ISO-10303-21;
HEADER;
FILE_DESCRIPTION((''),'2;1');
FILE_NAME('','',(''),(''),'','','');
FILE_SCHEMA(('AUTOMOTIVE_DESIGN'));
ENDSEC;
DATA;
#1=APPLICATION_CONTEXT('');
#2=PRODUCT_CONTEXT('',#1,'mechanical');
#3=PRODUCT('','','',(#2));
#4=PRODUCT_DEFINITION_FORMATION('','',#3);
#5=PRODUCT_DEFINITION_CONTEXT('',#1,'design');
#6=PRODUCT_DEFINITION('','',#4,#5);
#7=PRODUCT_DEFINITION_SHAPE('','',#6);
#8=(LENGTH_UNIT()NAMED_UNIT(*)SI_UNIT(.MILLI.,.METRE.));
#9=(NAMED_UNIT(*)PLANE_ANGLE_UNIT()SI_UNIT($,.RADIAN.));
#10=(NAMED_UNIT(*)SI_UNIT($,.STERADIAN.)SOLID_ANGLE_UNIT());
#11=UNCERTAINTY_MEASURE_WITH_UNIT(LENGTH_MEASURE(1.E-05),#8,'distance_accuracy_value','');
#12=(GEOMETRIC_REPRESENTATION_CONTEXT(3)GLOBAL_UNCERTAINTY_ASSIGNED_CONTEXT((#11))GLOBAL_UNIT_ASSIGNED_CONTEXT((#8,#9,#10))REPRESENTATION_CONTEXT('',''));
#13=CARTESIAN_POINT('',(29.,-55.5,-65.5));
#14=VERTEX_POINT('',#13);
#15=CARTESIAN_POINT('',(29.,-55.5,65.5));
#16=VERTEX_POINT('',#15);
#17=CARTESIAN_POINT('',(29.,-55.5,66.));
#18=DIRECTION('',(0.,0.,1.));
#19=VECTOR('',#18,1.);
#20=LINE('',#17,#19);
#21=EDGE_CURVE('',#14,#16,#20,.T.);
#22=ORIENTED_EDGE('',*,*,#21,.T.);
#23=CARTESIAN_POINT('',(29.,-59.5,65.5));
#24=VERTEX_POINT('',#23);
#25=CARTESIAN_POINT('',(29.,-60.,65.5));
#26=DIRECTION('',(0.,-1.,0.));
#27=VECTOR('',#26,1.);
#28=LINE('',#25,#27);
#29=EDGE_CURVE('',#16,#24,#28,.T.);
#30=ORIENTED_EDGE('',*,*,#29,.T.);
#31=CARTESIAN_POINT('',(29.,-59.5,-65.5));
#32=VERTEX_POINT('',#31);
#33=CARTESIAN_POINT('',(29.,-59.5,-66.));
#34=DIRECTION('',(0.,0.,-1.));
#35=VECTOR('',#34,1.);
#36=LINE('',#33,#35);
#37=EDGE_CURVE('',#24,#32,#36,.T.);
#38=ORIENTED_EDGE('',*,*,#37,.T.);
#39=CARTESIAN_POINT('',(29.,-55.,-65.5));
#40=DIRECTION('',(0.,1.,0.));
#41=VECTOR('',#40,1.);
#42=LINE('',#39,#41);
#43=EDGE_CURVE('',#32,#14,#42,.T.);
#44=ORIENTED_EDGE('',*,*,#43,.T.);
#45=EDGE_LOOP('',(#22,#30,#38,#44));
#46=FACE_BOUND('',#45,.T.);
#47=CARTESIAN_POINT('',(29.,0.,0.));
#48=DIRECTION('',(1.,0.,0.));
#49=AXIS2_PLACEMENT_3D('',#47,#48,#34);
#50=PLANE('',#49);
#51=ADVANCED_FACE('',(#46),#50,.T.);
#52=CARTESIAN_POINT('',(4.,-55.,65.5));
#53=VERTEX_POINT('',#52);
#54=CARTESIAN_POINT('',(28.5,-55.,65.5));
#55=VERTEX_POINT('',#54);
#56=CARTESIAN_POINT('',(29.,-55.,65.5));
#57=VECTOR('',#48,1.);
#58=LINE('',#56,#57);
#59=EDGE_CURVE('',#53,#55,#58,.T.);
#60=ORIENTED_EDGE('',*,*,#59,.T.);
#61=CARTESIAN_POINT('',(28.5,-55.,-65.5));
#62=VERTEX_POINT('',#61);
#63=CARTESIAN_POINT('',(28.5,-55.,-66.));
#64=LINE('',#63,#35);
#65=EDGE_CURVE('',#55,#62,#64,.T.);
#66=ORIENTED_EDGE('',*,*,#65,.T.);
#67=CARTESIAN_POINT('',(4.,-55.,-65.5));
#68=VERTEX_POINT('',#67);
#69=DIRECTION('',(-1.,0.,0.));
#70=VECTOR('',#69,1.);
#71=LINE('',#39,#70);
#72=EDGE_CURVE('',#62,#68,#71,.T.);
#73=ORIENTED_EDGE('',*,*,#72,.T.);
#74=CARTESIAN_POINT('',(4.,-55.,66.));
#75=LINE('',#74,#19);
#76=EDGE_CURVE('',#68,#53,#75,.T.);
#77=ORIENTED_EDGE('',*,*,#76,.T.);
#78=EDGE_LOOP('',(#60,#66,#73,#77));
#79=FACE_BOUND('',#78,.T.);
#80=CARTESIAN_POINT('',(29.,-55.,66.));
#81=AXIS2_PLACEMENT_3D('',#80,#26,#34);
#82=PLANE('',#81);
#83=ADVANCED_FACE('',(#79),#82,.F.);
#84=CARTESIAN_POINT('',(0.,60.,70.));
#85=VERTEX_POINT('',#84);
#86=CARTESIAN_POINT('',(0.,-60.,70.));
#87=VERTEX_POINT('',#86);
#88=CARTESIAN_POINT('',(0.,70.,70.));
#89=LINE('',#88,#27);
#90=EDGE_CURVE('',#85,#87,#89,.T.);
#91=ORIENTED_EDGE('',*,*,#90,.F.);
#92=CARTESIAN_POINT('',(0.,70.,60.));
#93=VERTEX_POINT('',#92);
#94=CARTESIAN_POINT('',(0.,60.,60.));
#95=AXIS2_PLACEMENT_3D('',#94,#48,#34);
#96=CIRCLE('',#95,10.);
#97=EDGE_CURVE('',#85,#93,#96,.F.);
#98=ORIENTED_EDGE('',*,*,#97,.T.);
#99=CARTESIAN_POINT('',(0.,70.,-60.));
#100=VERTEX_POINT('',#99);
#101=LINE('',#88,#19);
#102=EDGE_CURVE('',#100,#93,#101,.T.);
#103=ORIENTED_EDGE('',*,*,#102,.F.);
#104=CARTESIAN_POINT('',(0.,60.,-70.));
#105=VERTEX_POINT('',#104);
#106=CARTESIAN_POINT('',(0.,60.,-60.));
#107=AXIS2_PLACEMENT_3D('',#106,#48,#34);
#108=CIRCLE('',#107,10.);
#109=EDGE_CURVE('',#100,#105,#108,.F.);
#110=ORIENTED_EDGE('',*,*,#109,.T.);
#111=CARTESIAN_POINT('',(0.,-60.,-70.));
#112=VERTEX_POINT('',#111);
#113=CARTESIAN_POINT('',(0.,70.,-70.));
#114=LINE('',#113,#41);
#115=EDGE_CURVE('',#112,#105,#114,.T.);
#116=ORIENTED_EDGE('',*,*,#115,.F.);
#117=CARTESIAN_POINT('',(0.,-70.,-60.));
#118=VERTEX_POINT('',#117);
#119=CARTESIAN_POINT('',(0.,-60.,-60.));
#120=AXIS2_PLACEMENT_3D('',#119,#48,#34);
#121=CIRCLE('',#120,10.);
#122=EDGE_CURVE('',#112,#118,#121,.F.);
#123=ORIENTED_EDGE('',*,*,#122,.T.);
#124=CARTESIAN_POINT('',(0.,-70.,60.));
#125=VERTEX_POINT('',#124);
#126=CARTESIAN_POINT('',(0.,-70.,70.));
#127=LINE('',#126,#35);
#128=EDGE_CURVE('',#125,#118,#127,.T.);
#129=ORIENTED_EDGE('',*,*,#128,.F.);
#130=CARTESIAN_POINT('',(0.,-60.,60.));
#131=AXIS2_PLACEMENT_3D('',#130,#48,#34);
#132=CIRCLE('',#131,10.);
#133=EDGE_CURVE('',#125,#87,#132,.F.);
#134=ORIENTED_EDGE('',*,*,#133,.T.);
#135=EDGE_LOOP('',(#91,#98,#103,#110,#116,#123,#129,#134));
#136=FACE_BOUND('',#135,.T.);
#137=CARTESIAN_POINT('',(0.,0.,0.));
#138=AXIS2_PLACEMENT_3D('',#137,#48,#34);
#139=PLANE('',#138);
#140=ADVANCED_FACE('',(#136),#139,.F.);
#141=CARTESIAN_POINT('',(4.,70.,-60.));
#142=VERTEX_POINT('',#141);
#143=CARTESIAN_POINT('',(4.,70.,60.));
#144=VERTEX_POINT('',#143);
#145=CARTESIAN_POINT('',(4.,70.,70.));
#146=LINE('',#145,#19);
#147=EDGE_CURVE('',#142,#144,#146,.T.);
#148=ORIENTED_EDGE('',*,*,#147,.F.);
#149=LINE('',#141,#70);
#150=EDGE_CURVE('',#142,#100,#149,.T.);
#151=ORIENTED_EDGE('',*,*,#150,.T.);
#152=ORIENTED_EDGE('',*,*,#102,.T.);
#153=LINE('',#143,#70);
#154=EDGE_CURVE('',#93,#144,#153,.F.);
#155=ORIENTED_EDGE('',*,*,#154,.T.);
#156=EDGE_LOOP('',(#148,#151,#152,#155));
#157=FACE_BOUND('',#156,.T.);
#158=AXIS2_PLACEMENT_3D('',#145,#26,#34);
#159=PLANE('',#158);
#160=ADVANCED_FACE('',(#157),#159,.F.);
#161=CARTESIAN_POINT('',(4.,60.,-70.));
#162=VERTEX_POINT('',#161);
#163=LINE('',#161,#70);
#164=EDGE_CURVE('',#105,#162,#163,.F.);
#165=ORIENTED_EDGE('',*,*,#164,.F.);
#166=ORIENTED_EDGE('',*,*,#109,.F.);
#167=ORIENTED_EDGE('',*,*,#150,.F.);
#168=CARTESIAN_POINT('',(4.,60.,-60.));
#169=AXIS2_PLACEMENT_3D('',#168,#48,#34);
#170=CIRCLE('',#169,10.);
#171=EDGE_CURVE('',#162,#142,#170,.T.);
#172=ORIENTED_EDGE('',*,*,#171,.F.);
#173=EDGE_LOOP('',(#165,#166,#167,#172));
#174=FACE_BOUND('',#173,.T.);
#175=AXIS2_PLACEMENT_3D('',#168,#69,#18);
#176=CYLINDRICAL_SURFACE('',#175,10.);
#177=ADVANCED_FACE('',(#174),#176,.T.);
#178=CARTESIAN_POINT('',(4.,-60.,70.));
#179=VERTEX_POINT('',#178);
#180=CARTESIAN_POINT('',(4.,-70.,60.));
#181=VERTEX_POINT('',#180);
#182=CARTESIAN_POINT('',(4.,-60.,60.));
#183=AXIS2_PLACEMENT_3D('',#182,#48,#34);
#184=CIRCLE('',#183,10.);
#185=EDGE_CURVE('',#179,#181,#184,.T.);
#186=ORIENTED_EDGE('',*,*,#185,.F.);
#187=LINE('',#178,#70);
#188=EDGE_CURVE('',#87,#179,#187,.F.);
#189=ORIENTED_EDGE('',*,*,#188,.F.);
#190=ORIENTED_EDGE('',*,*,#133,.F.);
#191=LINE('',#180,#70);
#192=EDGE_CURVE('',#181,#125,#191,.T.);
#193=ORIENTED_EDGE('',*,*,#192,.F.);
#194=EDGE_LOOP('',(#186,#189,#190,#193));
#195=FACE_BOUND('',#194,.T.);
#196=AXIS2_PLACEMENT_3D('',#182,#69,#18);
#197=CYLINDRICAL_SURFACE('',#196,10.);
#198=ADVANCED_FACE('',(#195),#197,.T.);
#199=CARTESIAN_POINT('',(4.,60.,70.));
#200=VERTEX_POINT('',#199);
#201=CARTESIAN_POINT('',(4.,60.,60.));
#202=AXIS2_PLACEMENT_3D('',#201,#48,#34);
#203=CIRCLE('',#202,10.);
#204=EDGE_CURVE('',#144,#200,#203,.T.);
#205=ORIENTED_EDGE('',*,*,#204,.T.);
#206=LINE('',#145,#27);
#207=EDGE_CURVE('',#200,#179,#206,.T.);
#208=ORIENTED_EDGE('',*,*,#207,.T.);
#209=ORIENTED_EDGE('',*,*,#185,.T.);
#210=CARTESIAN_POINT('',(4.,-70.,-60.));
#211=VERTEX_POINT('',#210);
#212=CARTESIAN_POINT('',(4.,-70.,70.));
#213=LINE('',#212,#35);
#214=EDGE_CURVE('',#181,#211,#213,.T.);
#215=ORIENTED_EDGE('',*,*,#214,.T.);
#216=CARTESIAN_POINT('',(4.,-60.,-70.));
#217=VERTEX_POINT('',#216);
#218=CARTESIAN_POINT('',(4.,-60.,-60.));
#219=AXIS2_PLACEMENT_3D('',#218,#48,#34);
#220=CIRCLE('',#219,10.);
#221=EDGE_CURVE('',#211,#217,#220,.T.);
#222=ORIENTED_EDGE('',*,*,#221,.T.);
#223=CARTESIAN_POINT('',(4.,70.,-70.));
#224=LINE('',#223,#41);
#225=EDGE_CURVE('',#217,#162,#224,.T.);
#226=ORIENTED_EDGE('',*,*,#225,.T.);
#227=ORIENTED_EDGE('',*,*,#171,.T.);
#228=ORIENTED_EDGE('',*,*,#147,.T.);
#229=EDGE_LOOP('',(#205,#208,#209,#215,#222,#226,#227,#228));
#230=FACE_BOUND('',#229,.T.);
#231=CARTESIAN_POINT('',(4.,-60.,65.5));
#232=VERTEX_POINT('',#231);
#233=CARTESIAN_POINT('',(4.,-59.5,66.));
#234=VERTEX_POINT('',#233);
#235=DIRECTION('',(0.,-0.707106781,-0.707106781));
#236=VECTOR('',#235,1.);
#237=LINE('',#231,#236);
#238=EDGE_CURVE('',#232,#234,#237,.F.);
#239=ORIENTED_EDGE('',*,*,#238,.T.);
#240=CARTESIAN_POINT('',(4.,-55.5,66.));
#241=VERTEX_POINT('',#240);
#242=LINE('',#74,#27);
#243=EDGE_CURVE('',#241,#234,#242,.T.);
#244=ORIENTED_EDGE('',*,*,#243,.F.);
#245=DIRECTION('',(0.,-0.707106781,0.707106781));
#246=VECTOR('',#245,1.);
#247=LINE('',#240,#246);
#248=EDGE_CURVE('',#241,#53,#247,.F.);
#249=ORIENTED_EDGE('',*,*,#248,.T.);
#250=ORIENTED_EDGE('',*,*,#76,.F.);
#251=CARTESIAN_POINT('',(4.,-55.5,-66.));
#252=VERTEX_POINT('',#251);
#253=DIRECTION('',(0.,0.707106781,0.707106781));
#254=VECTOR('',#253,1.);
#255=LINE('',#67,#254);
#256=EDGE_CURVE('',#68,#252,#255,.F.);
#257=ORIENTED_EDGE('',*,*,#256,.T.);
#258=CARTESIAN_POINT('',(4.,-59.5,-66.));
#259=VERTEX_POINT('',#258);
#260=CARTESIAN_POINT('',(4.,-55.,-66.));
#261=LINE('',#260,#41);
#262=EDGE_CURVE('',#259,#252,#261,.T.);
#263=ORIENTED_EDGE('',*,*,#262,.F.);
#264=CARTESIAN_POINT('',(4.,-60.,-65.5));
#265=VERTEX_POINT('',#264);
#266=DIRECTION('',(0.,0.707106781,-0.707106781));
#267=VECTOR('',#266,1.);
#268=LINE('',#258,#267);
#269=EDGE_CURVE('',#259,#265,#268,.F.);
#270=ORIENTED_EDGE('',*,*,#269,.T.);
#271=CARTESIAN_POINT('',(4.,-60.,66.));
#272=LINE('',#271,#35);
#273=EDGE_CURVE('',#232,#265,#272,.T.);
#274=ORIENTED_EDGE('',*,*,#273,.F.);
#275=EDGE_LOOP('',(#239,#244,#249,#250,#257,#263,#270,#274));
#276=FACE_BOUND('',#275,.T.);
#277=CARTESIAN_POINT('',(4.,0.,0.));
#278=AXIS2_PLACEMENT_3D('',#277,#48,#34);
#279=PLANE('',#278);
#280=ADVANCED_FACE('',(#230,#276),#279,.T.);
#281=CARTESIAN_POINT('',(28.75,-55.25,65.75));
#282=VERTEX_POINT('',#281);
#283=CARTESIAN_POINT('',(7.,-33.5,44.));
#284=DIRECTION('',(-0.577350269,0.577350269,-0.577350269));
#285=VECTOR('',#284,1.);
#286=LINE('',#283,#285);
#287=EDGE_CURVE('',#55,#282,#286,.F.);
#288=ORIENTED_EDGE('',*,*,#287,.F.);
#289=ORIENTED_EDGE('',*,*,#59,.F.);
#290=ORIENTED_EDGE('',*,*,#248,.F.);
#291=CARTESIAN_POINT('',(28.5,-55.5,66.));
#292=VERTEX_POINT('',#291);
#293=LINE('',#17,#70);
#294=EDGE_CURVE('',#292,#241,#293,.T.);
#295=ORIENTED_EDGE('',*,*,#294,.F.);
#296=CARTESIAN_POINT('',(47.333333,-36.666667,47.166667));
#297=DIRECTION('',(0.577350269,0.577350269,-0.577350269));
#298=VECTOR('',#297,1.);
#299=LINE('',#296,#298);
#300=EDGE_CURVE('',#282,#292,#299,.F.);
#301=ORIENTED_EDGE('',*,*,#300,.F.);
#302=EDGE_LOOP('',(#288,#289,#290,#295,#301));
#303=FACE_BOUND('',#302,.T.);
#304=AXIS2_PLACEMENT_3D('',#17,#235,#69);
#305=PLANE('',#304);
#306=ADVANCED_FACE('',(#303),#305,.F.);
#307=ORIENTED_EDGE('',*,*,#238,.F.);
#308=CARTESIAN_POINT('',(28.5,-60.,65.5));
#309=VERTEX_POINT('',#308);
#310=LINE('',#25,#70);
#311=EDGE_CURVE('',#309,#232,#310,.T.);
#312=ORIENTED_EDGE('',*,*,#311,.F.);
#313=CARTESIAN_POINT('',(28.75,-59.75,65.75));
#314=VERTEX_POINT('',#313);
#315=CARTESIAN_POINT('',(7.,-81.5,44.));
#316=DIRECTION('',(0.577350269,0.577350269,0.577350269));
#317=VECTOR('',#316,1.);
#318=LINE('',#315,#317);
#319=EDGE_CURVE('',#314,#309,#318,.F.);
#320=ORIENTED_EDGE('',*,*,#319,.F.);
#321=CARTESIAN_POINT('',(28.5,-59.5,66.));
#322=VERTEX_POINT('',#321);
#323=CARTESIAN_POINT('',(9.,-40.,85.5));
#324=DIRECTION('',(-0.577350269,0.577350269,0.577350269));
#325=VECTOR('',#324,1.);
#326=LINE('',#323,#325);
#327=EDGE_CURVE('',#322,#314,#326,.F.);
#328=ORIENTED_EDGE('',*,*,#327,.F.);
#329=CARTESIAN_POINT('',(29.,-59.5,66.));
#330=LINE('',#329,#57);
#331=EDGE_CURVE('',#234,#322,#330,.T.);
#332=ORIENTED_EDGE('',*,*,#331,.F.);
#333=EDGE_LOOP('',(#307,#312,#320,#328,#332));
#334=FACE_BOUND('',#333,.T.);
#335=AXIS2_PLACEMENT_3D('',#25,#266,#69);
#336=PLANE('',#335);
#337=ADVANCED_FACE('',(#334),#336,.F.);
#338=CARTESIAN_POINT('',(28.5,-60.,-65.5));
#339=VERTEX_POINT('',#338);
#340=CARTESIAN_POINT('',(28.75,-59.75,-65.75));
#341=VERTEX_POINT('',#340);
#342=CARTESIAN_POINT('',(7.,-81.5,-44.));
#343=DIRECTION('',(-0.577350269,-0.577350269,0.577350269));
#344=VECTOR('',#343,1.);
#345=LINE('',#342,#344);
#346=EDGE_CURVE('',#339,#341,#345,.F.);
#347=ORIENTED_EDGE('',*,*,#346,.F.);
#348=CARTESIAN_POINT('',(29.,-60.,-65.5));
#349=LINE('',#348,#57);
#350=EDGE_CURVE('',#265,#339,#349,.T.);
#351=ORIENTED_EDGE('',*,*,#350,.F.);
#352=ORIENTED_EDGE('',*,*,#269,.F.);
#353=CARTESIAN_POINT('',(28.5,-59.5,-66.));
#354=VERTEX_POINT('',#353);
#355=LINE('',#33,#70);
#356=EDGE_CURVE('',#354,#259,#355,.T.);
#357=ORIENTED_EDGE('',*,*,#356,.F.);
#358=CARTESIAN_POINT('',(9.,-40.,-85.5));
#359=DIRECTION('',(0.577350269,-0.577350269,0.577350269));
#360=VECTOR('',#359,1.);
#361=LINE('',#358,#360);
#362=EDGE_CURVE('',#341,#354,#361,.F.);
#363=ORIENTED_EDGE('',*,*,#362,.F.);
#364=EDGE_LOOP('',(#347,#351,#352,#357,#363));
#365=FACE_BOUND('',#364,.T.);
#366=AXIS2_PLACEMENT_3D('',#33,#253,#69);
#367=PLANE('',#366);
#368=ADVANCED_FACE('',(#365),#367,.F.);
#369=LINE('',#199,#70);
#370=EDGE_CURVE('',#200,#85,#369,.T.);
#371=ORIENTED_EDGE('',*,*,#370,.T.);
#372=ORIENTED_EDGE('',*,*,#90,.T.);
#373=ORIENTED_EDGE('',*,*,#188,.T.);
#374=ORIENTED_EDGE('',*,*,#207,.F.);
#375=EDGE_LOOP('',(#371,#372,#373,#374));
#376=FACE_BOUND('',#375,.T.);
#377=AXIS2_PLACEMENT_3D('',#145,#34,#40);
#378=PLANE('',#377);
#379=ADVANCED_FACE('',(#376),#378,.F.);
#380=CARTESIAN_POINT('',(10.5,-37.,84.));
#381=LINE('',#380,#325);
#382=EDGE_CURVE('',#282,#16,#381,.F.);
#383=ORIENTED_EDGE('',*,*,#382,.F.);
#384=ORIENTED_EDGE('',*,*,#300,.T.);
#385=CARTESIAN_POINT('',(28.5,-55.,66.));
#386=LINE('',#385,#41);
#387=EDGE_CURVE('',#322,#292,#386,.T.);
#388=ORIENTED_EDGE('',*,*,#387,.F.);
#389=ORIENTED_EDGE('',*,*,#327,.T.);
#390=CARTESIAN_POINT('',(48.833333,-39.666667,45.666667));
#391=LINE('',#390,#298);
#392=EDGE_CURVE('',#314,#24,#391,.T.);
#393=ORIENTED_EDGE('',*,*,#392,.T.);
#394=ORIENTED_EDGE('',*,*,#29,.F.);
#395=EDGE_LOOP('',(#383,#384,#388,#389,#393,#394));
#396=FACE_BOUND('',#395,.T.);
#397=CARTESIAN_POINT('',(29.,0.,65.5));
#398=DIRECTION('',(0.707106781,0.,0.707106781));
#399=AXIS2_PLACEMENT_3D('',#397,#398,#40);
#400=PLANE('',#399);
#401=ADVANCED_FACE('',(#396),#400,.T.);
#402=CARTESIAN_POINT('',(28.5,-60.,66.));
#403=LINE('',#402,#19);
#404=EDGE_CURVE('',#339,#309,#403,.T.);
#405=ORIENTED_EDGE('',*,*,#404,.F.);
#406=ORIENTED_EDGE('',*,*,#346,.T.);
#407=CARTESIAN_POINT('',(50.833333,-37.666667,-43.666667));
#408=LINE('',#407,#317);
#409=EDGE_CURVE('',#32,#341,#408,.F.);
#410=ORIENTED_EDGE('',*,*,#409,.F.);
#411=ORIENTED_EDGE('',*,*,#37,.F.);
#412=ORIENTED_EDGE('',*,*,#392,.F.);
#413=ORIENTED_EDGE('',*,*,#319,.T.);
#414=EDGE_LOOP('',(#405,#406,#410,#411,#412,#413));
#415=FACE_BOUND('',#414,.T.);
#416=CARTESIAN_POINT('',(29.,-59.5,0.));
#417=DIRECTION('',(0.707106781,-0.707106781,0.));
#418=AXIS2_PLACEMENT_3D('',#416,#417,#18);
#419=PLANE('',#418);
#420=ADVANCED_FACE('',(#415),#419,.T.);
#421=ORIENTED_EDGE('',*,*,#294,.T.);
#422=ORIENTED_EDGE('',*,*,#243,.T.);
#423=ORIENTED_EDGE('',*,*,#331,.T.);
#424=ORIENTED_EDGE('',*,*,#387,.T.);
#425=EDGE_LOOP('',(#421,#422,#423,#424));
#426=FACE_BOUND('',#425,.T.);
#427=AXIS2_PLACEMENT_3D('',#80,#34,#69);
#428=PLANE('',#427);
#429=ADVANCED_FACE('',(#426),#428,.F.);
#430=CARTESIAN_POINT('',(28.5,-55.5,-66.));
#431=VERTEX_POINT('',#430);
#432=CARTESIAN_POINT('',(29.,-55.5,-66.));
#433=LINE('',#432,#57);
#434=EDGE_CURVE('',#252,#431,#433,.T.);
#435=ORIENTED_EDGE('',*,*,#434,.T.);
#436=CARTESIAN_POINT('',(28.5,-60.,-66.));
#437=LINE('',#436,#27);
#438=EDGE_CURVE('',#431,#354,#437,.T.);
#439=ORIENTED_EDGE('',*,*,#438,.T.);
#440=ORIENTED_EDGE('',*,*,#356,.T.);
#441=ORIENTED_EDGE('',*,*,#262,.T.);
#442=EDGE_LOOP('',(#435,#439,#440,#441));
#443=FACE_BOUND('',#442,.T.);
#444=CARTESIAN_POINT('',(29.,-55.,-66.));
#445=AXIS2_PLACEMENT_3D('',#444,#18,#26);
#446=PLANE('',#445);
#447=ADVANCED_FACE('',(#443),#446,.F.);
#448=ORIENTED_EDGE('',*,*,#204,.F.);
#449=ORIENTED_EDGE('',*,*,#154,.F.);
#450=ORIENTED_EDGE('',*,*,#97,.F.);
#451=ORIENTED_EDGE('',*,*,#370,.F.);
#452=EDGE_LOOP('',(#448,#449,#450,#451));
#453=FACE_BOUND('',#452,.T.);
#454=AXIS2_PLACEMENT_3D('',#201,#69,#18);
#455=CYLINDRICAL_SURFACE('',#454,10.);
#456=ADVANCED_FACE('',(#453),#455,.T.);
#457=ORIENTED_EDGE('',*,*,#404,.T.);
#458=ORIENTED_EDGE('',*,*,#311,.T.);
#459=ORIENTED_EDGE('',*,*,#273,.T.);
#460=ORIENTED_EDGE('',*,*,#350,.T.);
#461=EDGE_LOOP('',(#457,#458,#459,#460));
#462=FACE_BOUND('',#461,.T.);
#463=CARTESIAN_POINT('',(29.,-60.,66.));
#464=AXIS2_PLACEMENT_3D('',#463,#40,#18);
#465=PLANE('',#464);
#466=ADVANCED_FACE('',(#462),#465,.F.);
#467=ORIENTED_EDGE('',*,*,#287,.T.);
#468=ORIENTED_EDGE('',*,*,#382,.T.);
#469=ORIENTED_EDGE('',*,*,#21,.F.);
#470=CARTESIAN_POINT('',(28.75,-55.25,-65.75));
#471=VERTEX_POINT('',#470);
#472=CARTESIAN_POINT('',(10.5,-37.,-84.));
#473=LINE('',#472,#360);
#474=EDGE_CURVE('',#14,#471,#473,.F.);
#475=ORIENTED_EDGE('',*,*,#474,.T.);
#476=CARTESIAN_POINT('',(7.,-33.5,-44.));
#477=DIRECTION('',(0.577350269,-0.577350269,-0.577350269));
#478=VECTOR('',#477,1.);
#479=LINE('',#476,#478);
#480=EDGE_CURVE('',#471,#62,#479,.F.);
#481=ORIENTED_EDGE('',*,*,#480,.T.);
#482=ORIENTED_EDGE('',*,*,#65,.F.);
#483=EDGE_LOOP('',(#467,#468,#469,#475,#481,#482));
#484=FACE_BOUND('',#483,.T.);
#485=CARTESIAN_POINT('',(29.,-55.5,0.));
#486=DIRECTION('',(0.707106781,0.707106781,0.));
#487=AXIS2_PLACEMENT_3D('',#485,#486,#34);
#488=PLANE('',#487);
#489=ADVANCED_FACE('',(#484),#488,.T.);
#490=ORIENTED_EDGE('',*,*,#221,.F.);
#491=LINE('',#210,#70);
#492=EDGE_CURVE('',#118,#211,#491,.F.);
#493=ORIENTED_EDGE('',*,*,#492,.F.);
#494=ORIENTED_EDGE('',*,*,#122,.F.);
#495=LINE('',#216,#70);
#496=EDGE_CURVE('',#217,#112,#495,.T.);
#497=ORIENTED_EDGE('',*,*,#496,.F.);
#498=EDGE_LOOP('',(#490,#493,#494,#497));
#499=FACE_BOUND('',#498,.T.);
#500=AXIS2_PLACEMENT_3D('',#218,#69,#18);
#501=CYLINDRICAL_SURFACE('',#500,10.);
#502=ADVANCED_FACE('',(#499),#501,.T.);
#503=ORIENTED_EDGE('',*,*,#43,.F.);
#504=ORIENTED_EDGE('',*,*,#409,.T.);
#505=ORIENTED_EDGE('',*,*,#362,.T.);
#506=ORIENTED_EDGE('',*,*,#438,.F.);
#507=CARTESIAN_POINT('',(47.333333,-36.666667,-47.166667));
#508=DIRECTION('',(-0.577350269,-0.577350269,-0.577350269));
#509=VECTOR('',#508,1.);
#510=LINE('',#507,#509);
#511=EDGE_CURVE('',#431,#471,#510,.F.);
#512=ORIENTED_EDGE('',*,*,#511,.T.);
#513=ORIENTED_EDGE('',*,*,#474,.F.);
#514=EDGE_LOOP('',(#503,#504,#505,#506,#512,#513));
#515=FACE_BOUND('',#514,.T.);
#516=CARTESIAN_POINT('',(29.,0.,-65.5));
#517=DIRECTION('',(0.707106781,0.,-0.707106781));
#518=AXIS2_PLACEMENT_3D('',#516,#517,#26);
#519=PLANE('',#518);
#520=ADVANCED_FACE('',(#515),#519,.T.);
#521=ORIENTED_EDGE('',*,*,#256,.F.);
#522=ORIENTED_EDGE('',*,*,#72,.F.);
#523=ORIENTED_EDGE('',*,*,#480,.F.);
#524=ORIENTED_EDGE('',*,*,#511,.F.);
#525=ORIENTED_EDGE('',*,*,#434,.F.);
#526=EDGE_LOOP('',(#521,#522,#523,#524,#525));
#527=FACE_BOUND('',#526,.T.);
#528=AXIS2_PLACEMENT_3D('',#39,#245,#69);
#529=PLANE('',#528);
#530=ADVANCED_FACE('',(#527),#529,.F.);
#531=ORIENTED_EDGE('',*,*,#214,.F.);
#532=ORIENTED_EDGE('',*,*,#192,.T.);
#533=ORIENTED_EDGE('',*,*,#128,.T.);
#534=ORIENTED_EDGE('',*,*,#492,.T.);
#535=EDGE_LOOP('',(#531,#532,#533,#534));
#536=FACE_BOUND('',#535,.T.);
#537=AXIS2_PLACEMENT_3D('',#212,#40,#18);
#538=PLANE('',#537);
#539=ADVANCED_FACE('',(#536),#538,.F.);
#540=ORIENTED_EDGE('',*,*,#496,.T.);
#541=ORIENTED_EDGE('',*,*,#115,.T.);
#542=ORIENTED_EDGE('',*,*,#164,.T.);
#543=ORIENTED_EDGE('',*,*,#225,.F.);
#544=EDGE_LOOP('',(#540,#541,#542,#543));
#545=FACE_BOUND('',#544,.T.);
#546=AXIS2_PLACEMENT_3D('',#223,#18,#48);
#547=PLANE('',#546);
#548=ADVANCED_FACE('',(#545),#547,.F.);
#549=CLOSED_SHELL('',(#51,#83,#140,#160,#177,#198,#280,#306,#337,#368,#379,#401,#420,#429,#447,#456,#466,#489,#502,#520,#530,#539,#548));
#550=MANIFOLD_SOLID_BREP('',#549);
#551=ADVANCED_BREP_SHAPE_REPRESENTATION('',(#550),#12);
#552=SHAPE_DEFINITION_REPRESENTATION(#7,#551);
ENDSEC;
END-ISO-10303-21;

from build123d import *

# Parameters (mm, degrees)
SKETCH_1_W      = 140
SKETCH_1_H      = 140
EXTRUDE_1_DEPTH = 4
SKETCH_3_W      = 132
SKETCH_3_H      = 5
EXTRUDE_2_DEPTH = 25
CHAMFER_1_SIZE  = 0.5
CHAMFER_2_SIZE  = 0.5
FILLET_1_R      = 10


with BuildPart() as part:
    # 草图1 → 凸台-拉伸1 (new body)
    with BuildSketch(Plane(origin=(0, 0, 0), x_dir=(0, 0, -1), z_dir=(1, 0, 0))):
        Rectangle(SKETCH_1_W, SKETCH_1_H)
    extrude(amount=EXTRUDE_1_DEPTH)

    # 草图3 → 凸台-拉伸2 (add)
    with BuildSketch(Plane(origin=(4, 0, 0), x_dir=(0, 0, -1), z_dir=(1, 0, 0))):
        with Locations((0, -57.5)):
            Rectangle(SKETCH_3_W, SKETCH_3_H)
    extrude(amount=EXTRUDE_2_DEPTH)

    # 倒角1
    chamfer_1_edges = [part.edges().sort_by_distance(p)[0] for p in [
        (29, -57.5, 66),
        (29, -60, 0),
        (29, -57.5, -66),
        (29, -55, 0),
    ]]
    chamfer(chamfer_1_edges, length=CHAMFER_1_SIZE)

    # 倒角2
    chamfer_2_edges = [part.edges().sort_by_distance(p)[0] for p in [
        (16.25, -55, 66),
        (16.25, -55, -66),
        (16.25, -60, -66),
        (16.25, -60, 66),
    ]]
    chamfer(chamfer_2_edges, length=CHAMFER_2_SIZE)

    # 圆角1
    fillet_1_edges = [part.edges().sort_by_distance(p)[0] for p in [
        (2, 70, 70),
        (2, 70, -70),
        (2, -70, -70),
        (2, -70, 70),
    ]]
    fillet(fillet_1_edges, radius=FILLET_1_R)


solid = part.part
